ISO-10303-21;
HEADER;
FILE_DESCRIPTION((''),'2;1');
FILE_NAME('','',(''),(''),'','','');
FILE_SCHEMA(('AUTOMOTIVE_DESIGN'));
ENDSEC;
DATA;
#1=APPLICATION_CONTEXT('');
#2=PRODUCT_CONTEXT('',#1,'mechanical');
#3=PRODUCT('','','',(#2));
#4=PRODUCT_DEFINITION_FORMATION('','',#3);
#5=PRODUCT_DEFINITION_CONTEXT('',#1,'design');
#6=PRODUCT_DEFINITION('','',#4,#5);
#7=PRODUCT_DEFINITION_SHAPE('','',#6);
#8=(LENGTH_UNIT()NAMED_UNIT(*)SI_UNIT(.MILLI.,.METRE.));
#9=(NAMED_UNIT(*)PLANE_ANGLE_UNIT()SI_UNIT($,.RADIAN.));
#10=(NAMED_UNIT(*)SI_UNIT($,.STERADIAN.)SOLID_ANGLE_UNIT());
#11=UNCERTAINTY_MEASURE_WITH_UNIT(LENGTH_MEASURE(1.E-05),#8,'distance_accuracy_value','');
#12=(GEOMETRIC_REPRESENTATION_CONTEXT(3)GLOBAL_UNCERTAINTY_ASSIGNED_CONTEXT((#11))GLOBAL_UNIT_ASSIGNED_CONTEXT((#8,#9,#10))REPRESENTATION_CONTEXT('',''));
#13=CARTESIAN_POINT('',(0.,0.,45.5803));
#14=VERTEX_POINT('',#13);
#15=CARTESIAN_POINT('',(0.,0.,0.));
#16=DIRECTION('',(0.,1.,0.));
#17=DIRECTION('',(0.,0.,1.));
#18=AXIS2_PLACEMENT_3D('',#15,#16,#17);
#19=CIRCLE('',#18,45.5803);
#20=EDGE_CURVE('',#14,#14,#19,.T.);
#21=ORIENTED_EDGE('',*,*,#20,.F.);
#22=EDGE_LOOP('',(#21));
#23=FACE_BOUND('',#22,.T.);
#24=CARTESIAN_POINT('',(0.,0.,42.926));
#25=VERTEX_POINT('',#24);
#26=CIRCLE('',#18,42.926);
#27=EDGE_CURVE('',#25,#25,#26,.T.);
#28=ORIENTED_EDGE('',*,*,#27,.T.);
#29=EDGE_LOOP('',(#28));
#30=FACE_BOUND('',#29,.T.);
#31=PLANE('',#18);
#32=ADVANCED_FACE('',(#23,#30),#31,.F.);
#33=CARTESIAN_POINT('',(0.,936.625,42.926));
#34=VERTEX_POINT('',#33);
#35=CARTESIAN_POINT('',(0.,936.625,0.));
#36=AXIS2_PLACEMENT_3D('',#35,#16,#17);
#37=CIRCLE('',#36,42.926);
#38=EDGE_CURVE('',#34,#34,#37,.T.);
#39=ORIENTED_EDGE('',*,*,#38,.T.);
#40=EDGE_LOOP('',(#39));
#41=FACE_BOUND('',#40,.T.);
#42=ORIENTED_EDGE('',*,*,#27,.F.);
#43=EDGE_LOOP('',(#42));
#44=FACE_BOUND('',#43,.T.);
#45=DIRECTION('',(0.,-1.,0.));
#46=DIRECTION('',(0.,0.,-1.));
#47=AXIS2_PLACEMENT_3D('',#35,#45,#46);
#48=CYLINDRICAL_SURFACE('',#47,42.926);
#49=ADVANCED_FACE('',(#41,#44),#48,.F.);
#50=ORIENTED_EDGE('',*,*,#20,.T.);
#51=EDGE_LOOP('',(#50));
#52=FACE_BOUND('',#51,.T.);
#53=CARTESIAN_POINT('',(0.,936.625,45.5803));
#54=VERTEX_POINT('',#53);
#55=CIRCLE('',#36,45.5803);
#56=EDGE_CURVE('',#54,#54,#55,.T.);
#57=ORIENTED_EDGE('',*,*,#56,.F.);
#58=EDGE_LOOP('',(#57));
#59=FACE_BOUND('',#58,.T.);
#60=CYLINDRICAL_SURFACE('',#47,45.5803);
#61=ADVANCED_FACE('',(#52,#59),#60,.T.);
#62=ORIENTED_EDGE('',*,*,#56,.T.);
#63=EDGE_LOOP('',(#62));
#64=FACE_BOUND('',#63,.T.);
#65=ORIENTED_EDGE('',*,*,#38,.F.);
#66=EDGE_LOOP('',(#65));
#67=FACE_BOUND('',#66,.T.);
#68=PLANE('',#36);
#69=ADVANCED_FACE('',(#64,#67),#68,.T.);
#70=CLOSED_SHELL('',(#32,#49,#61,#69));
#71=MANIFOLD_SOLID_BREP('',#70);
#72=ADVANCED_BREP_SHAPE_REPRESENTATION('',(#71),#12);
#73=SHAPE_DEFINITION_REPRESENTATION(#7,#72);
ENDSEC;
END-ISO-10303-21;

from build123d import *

# Parameters (mm, degrees)
SKETCH1_R      = 45.5803
SKETCH1_R_2    = 42.926
EXTRUDE1_DEPTH = 936.625


with BuildPart() as part:
    # Sketch1 → Extrude1 (new body)
    with BuildSketch(Plane(origin=(0, 0, 0), x_dir=(1, 0, 0), z_dir=(0, 1, 0))):
        Circle(SKETCH1_R)
        Circle(SKETCH1_R_2, mode=Mode.SUBTRACT)
    extrude(amount=EXTRUDE1_DEPTH)


solid = part.part
